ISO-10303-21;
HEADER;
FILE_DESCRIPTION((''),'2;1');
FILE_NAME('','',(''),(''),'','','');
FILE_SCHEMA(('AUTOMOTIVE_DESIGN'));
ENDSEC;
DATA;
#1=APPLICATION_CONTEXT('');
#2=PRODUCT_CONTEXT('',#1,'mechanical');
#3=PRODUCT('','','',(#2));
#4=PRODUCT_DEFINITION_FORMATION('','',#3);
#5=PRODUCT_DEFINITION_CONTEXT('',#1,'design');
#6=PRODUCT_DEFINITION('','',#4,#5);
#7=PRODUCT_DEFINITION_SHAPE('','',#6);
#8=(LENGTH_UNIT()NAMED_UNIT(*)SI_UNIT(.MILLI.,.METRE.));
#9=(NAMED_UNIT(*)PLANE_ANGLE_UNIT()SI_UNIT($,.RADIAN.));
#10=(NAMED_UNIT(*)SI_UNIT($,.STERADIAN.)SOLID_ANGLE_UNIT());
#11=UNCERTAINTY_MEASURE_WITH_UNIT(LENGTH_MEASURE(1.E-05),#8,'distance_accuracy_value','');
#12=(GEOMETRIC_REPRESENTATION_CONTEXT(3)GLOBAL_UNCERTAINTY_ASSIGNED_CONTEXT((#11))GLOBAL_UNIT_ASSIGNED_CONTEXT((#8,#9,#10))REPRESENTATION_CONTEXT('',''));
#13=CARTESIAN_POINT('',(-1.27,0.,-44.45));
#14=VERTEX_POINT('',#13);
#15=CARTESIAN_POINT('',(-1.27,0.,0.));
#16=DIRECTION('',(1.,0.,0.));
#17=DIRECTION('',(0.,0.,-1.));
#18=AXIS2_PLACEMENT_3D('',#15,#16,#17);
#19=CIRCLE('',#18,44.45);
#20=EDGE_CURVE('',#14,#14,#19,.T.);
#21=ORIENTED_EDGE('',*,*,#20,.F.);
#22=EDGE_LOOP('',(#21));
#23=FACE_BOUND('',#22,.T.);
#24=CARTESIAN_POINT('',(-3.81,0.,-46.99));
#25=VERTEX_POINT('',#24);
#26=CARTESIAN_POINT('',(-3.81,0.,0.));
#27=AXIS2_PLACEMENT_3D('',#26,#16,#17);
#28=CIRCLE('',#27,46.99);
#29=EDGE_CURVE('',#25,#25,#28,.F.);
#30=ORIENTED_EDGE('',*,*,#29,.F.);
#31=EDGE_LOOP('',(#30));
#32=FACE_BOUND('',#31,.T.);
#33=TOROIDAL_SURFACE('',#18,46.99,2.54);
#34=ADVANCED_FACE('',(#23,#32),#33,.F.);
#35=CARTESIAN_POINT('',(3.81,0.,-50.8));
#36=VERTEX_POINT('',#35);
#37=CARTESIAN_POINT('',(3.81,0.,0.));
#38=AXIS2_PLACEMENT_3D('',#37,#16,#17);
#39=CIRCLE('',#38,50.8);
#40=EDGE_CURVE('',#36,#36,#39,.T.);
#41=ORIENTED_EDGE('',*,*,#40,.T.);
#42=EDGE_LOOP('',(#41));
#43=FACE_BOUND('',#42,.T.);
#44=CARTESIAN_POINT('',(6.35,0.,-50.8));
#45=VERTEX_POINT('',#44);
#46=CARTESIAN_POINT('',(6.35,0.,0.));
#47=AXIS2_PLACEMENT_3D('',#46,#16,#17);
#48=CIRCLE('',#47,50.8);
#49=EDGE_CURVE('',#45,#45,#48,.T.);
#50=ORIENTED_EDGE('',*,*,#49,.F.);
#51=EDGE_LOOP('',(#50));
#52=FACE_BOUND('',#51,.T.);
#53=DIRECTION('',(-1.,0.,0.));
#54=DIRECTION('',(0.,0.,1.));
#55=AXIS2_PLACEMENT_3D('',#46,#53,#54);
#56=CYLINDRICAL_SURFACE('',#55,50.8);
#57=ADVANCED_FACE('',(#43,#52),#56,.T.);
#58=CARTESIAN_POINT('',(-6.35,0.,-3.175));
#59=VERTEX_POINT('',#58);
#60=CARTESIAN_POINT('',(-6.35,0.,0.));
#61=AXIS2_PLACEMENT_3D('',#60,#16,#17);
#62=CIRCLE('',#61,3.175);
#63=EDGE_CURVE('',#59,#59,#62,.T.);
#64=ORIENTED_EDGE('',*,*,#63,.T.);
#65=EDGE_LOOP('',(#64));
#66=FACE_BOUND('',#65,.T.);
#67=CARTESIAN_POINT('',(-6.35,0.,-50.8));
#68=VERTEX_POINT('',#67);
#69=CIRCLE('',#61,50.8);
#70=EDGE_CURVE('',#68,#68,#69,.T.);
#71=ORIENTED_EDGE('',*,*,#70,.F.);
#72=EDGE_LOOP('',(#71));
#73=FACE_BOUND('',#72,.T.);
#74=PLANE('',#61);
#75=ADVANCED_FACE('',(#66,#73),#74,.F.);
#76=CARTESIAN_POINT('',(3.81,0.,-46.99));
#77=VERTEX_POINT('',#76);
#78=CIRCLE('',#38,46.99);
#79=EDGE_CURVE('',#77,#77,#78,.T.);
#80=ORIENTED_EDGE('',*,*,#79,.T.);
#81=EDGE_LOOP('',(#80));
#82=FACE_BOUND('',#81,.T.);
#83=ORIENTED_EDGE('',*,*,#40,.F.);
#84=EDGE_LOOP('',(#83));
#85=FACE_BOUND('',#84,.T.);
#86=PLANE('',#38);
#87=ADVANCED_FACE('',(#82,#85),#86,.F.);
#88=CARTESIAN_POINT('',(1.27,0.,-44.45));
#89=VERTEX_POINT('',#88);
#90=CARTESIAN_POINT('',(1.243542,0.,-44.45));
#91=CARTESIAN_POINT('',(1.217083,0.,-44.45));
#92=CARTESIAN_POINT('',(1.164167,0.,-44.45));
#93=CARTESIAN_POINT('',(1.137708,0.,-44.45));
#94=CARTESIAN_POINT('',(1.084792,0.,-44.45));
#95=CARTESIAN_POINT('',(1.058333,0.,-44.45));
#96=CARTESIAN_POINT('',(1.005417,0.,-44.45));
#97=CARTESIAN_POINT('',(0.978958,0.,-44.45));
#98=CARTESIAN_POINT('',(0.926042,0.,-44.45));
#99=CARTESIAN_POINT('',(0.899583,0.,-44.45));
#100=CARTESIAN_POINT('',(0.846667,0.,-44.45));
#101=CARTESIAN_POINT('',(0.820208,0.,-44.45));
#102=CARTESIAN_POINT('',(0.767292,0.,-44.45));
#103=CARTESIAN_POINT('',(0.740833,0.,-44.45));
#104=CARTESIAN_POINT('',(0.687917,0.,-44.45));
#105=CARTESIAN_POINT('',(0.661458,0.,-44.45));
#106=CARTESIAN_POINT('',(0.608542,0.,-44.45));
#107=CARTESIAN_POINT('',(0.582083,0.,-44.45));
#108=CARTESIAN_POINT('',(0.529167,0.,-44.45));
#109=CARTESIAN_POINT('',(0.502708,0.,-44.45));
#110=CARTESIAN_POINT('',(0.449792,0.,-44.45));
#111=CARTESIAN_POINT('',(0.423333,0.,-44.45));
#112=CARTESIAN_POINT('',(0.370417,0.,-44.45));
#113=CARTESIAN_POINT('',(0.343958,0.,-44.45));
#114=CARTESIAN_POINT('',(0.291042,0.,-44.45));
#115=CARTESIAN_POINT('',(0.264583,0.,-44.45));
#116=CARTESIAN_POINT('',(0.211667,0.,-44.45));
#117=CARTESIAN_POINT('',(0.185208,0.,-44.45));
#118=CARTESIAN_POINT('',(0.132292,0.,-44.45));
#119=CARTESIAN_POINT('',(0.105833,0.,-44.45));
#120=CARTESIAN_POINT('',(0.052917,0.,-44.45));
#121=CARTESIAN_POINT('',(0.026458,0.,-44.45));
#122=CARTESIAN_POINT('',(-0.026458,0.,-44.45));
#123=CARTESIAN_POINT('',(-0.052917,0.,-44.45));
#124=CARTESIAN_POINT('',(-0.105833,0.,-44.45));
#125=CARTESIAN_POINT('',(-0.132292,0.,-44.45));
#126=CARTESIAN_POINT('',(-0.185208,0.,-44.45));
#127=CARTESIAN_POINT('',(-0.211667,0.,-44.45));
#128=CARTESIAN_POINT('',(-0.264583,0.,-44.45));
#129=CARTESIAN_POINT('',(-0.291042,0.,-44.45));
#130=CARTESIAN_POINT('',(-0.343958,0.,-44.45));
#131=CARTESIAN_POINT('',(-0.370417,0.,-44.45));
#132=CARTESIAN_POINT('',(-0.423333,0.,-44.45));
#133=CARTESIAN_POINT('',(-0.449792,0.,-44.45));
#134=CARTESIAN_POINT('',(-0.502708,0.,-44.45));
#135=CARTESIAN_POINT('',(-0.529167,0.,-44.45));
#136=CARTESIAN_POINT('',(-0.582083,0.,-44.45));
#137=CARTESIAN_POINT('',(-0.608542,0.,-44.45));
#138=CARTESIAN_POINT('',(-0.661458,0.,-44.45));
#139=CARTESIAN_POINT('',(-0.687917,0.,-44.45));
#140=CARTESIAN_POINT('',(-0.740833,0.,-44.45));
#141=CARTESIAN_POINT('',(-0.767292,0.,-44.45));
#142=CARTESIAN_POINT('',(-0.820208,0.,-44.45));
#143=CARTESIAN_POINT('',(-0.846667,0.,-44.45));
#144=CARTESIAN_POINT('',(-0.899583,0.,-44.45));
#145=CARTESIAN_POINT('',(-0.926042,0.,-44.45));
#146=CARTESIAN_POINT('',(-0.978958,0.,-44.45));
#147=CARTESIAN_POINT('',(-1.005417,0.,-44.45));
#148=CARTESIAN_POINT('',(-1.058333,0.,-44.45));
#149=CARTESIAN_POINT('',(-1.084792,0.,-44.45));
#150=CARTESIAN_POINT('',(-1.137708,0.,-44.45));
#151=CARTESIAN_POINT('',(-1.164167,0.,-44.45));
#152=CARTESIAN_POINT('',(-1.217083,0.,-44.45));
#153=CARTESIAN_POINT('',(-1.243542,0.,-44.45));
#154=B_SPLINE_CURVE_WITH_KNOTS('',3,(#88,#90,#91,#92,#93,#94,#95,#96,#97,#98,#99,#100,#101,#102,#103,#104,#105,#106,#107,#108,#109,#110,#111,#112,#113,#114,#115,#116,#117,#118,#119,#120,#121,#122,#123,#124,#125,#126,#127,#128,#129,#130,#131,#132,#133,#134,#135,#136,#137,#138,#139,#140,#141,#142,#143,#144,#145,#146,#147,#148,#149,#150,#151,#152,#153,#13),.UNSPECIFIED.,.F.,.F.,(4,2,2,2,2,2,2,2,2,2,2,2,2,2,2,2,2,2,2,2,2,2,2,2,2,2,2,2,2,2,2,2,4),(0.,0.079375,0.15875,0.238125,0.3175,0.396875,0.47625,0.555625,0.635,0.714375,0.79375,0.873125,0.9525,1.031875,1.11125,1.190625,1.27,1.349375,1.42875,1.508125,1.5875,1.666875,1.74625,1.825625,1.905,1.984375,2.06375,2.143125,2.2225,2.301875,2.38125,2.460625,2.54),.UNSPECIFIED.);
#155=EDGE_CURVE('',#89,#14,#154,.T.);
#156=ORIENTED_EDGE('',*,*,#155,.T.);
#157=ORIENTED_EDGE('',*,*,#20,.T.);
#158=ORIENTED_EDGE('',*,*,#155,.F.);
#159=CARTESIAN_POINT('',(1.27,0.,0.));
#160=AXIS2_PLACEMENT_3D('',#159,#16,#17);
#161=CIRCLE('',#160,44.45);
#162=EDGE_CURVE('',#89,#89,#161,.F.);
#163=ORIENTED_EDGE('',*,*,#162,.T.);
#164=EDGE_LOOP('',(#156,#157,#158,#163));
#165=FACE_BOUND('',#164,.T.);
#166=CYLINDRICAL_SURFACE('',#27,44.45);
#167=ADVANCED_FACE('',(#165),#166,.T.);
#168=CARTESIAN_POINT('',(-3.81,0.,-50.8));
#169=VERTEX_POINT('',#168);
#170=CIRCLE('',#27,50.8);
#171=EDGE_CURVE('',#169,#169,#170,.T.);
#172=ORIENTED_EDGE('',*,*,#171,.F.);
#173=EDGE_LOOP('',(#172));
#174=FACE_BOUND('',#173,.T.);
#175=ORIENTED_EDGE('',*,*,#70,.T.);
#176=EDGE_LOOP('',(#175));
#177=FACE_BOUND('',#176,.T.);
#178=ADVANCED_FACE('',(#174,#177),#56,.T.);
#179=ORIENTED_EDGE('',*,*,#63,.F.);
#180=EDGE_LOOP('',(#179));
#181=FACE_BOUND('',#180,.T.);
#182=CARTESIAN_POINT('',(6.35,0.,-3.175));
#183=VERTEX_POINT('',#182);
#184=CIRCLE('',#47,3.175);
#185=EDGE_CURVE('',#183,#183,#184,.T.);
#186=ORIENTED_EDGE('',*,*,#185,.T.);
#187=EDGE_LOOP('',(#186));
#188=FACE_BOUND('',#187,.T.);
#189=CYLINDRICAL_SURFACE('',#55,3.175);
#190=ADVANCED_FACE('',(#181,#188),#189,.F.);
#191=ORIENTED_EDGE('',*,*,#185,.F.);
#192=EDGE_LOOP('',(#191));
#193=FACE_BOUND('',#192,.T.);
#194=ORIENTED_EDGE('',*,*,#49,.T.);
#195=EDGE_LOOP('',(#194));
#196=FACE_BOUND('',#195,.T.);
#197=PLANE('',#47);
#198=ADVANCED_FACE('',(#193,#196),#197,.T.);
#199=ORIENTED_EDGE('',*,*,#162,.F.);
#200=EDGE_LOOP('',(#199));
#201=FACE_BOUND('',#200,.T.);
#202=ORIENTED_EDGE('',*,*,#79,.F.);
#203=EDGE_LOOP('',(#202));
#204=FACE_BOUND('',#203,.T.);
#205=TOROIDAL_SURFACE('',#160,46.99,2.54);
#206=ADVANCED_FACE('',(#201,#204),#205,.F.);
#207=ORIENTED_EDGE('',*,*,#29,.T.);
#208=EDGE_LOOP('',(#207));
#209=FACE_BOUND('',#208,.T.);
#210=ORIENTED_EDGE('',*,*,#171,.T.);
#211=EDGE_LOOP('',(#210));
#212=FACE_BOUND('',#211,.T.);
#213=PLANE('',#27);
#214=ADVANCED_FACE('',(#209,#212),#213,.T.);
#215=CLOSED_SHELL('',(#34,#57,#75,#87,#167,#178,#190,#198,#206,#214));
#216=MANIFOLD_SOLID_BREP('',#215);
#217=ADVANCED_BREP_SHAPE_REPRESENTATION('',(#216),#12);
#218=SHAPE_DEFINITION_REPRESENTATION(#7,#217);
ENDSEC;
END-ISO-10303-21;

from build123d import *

# Parameters (mm, degrees)
SKETCH1_R           = 50.8
SKETCH1_R_2         = 3.175
SKETCH1_R_3         = 44.45
BOSS_EXTRUDE1_DEPTH = 6.35
SKETCH1_3_R         = 50.8
SKETCH1_3_R_2       = 44.45
CUT_EXTRUDE1_DEPTH  = 3.81
FILLET1_R           = 2.54


with BuildPart() as part:
    # Sketch1 → Boss-Extrude1 (new, symmetric)
    # profile 1 of 2: a face of its own
    with BuildSketch(Plane(origin=(0, 0, 0), x_dir=(0, 0, -1), z_dir=(1, 0, 0))):
        Circle(SKETCH1_R)
        Circle(SKETCH1_R_2, mode=Mode.SUBTRACT)
    # profile 2 of 2: a face of its own
    with BuildSketch(Plane(origin=(0, 0, 0), x_dir=(0, 0, -1), z_dir=(1, 0, 0))):
        Circle(SKETCH1_R)
        Circle(SKETCH1_R_3, mode=Mode.SUBTRACT)
    extrude(amount=BOSS_EXTRUDE1_DEPTH, both=True)

    # Sketch1<3> → Cut-Extrude1 (cut, symmetric)
    with BuildSketch(Plane(origin=(0, 0, 0), x_dir=(0, 0, -1), z_dir=(1, 0, 0))):
        Circle(SKETCH1_3_R)
        Circle(SKETCH1_3_R_2, mode=Mode.SUBTRACT)
    extrude(amount=CUT_EXTRUDE1_DEPTH, both=True, mode=Mode.SUBTRACT)

    # Fillet1
    fillet1_edges = [part.edges().sort_by_distance(p)[0] for p in [
        (-3.81, 0, 44.45),
        (3.81, 0, 44.45),
    ]]
    fillet(fillet1_edges, radius=FILLET1_R)


solid = part.part
